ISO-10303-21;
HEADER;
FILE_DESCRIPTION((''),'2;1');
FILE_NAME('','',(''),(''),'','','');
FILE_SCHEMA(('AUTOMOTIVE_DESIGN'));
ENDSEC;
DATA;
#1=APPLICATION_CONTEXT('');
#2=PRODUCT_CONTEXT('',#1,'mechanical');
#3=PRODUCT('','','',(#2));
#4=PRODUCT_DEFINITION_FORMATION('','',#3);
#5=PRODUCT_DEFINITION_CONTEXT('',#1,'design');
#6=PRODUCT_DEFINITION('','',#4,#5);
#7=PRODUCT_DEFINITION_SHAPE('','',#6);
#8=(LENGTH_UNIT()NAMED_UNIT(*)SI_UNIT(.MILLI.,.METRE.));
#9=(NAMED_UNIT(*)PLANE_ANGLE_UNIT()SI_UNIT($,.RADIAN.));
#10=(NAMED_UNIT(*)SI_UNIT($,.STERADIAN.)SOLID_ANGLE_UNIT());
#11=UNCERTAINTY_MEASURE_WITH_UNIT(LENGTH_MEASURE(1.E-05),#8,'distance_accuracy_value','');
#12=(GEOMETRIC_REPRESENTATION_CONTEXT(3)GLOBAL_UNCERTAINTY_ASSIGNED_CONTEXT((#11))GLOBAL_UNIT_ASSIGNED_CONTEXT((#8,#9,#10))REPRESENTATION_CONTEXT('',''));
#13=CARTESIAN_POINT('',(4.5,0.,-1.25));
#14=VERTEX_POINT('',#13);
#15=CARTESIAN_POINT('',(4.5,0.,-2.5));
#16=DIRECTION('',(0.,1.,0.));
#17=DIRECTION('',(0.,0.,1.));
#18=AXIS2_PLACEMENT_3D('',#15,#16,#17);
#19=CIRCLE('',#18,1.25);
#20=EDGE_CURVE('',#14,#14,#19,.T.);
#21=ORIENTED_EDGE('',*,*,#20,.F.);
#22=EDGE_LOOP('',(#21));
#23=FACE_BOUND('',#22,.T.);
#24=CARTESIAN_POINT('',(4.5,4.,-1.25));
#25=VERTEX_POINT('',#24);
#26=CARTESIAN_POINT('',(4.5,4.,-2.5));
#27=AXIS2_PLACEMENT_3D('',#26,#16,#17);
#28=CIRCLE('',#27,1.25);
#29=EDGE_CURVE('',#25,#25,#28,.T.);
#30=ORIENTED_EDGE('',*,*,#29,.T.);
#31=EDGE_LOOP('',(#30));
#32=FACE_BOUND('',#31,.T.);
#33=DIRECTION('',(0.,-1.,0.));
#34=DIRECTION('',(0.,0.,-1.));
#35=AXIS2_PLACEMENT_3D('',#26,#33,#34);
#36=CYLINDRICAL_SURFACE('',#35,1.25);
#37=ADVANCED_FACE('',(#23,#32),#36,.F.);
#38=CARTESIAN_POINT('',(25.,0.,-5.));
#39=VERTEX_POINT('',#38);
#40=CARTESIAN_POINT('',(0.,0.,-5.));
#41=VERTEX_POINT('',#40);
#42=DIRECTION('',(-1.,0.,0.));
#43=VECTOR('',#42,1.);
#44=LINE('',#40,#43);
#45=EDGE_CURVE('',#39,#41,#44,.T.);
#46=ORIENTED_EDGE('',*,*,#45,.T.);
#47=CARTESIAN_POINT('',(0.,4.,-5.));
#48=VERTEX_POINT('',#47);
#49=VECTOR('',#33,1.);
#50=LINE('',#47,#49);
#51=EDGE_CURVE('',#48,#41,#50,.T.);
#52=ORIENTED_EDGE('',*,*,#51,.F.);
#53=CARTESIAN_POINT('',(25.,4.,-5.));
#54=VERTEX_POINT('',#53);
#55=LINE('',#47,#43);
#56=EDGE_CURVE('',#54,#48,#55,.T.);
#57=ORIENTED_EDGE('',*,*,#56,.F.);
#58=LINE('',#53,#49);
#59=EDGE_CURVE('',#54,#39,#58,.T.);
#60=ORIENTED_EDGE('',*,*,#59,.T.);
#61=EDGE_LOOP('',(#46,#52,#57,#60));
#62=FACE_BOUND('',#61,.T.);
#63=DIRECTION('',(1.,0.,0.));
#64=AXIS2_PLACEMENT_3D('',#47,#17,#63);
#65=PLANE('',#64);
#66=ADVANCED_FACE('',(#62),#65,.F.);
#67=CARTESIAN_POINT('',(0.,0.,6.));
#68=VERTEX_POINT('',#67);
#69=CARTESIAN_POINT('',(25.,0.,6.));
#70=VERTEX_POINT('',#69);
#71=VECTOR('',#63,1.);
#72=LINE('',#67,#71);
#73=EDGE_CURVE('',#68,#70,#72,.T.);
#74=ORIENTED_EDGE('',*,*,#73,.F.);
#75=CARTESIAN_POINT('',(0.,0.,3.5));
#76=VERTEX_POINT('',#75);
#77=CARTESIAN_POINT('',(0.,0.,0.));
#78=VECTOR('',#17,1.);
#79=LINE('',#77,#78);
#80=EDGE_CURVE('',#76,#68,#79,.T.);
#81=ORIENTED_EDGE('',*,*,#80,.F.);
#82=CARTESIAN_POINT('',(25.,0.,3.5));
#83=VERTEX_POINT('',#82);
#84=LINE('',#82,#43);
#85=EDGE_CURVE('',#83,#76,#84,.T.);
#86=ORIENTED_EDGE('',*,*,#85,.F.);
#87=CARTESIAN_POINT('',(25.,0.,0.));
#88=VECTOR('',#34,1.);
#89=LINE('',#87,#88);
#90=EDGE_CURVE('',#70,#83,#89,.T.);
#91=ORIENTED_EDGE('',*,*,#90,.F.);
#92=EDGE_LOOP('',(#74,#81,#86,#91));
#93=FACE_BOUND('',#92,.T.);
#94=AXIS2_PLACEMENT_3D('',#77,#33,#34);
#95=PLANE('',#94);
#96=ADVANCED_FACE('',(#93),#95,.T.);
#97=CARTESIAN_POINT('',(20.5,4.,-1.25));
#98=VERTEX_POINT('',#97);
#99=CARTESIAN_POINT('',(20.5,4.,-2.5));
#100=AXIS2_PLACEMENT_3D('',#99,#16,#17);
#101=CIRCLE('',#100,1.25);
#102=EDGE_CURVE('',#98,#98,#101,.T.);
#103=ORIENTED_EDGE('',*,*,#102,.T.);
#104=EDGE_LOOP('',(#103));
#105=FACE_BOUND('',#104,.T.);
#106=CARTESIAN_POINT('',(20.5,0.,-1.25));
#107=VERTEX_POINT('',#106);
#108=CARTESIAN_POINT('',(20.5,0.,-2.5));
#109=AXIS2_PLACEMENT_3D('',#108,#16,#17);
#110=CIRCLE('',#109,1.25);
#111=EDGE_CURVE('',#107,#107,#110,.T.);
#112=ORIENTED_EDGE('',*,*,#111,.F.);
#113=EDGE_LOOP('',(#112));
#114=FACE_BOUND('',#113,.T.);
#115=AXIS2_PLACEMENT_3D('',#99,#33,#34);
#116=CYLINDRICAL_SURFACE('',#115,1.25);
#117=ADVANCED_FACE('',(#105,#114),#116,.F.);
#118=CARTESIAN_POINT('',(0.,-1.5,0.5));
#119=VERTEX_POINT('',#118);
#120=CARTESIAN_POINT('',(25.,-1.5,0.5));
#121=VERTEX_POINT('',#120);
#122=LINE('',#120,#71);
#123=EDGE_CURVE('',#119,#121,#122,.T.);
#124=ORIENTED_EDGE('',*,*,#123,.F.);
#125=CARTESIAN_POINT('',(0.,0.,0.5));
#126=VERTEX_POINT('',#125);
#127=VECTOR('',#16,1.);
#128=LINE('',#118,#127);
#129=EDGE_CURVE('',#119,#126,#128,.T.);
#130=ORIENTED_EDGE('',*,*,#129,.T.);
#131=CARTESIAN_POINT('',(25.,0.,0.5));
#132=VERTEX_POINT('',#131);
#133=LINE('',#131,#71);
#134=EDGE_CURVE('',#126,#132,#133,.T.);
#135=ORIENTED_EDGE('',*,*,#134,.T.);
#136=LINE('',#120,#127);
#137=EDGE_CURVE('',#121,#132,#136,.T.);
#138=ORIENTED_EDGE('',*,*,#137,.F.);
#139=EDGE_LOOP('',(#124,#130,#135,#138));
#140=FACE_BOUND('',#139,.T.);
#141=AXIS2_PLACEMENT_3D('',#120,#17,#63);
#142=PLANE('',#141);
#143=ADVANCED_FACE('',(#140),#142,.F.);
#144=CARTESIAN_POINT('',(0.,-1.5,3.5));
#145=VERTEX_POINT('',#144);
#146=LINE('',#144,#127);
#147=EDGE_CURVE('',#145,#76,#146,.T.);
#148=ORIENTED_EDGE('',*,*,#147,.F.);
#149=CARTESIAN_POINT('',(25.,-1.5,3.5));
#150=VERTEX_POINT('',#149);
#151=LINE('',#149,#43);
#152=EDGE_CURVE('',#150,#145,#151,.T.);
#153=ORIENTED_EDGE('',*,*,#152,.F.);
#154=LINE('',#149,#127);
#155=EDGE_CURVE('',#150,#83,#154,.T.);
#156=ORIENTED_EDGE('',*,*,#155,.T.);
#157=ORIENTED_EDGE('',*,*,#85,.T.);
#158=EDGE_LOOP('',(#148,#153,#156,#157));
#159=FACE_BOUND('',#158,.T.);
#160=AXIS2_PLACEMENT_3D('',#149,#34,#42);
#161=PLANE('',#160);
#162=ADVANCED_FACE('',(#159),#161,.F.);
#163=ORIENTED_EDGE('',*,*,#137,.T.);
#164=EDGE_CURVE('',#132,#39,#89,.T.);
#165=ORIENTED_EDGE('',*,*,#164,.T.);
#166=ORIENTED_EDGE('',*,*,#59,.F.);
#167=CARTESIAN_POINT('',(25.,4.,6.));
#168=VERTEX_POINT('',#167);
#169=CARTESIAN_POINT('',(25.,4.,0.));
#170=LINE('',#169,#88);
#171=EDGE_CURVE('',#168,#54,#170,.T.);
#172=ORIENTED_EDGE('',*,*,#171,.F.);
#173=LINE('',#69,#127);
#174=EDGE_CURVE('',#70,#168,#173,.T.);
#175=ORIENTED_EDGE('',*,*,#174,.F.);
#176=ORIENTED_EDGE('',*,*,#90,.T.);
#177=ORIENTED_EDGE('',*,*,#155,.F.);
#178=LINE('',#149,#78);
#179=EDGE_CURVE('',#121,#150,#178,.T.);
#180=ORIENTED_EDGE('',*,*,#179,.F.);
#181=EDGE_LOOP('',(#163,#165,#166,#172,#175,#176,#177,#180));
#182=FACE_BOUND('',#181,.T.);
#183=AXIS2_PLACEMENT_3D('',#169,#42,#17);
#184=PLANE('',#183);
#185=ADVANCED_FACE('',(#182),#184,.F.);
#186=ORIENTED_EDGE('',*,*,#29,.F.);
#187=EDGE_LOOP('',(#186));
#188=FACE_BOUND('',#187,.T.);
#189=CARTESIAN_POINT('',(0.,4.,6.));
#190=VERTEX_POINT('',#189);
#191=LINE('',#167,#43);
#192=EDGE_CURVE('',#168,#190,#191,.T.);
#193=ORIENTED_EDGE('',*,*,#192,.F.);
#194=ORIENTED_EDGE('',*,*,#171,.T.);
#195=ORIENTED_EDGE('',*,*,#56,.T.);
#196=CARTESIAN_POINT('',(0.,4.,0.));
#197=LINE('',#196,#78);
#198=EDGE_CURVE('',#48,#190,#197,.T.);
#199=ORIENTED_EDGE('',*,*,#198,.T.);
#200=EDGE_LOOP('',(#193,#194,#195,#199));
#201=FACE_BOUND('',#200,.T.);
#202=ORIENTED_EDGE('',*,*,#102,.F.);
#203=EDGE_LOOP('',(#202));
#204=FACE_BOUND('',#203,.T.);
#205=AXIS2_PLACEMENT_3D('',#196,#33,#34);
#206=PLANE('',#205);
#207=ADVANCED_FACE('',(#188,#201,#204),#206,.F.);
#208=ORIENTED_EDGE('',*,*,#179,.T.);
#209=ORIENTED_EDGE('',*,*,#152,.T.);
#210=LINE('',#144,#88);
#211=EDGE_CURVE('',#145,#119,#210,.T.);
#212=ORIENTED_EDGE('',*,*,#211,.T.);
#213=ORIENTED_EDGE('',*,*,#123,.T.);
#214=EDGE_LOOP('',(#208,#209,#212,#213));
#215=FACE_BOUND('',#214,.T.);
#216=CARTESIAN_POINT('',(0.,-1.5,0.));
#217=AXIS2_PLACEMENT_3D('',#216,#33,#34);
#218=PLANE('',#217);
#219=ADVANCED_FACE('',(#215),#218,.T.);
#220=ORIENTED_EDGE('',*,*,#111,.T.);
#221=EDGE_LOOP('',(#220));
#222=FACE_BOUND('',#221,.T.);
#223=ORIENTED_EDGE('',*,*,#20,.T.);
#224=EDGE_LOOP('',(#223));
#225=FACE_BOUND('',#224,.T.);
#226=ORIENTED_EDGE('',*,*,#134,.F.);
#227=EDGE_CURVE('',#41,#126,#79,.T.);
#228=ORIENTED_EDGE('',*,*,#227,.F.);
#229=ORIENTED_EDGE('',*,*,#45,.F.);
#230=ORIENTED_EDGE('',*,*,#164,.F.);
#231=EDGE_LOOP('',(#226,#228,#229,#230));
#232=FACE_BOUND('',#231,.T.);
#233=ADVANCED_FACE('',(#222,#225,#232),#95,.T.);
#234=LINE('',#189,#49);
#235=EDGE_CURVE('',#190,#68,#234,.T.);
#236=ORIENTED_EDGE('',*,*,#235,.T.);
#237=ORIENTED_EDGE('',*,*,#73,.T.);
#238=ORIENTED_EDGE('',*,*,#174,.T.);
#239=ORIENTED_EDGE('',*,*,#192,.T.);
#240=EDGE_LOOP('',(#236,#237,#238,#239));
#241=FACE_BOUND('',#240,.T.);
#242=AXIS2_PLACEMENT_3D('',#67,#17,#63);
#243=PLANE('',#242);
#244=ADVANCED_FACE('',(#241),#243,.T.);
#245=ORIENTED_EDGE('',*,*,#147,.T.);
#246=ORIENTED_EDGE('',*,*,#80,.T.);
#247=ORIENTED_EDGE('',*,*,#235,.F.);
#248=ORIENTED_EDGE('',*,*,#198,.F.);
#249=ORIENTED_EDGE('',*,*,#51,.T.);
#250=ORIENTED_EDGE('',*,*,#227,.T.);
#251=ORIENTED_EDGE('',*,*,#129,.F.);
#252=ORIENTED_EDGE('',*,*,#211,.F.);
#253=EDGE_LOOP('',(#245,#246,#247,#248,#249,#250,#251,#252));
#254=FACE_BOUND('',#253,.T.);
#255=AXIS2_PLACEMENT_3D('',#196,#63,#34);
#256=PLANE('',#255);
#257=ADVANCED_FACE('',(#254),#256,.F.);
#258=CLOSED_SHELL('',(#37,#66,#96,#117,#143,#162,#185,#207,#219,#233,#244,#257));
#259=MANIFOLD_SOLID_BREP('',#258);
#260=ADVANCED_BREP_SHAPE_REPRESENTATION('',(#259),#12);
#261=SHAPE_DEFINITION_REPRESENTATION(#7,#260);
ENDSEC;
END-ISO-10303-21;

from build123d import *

# Parameters (mm, degrees)
SKETCH1_W           = 25
SKETCH1_H           = 5
SKETCH1_R           = 1.25
BOSS_EXTRUDE1_DEPTH = 4
SKETCH2_W           = 25
SKETCH2_H           = 4
BOSS_EXTRUDE2_DEPTH = 6
SKETCH3_W           = 25
SKETCH3_H           = 3
BOSS_EXTRUDE3_DEPTH = 1.5


with BuildPart() as part:
    # Sketch1 → Boss-Extrude1 (new body)
    with BuildSketch(Plane(origin=(0, 0, 0), x_dir=(1, 0, 0), z_dir=(0, 1, 0))):
        with Locations((12.5, 2.5)):
            Rectangle(SKETCH1_W, SKETCH1_H)
        with Locations(Location((4.5, 2.5, 0), (0, 0, 270))):
            Circle(SKETCH1_R, mode=Mode.SUBTRACT)
        with Locations(Location((20.5, 2.5, 0), (0, 0, 270))):
            Circle(SKETCH1_R, mode=Mode.SUBTRACT)
    extrude(amount=BOSS_EXTRUDE1_DEPTH)

    # Sketch2 → Boss-Extrude2 (add)
    with BuildSketch(Plane.XY):
        with Locations((12.5, 2)):
            Rectangle(SKETCH2_W, SKETCH2_H)
    extrude(amount=BOSS_EXTRUDE2_DEPTH)

    # Sketch3 → Boss-Extrude3 (add)
    with BuildSketch(Plane.XZ):
        with Locations((12.5, 2)):
            Rectangle(SKETCH3_W, SKETCH3_H)
    extrude(amount=BOSS_EXTRUDE3_DEPTH)


solid = part.part
